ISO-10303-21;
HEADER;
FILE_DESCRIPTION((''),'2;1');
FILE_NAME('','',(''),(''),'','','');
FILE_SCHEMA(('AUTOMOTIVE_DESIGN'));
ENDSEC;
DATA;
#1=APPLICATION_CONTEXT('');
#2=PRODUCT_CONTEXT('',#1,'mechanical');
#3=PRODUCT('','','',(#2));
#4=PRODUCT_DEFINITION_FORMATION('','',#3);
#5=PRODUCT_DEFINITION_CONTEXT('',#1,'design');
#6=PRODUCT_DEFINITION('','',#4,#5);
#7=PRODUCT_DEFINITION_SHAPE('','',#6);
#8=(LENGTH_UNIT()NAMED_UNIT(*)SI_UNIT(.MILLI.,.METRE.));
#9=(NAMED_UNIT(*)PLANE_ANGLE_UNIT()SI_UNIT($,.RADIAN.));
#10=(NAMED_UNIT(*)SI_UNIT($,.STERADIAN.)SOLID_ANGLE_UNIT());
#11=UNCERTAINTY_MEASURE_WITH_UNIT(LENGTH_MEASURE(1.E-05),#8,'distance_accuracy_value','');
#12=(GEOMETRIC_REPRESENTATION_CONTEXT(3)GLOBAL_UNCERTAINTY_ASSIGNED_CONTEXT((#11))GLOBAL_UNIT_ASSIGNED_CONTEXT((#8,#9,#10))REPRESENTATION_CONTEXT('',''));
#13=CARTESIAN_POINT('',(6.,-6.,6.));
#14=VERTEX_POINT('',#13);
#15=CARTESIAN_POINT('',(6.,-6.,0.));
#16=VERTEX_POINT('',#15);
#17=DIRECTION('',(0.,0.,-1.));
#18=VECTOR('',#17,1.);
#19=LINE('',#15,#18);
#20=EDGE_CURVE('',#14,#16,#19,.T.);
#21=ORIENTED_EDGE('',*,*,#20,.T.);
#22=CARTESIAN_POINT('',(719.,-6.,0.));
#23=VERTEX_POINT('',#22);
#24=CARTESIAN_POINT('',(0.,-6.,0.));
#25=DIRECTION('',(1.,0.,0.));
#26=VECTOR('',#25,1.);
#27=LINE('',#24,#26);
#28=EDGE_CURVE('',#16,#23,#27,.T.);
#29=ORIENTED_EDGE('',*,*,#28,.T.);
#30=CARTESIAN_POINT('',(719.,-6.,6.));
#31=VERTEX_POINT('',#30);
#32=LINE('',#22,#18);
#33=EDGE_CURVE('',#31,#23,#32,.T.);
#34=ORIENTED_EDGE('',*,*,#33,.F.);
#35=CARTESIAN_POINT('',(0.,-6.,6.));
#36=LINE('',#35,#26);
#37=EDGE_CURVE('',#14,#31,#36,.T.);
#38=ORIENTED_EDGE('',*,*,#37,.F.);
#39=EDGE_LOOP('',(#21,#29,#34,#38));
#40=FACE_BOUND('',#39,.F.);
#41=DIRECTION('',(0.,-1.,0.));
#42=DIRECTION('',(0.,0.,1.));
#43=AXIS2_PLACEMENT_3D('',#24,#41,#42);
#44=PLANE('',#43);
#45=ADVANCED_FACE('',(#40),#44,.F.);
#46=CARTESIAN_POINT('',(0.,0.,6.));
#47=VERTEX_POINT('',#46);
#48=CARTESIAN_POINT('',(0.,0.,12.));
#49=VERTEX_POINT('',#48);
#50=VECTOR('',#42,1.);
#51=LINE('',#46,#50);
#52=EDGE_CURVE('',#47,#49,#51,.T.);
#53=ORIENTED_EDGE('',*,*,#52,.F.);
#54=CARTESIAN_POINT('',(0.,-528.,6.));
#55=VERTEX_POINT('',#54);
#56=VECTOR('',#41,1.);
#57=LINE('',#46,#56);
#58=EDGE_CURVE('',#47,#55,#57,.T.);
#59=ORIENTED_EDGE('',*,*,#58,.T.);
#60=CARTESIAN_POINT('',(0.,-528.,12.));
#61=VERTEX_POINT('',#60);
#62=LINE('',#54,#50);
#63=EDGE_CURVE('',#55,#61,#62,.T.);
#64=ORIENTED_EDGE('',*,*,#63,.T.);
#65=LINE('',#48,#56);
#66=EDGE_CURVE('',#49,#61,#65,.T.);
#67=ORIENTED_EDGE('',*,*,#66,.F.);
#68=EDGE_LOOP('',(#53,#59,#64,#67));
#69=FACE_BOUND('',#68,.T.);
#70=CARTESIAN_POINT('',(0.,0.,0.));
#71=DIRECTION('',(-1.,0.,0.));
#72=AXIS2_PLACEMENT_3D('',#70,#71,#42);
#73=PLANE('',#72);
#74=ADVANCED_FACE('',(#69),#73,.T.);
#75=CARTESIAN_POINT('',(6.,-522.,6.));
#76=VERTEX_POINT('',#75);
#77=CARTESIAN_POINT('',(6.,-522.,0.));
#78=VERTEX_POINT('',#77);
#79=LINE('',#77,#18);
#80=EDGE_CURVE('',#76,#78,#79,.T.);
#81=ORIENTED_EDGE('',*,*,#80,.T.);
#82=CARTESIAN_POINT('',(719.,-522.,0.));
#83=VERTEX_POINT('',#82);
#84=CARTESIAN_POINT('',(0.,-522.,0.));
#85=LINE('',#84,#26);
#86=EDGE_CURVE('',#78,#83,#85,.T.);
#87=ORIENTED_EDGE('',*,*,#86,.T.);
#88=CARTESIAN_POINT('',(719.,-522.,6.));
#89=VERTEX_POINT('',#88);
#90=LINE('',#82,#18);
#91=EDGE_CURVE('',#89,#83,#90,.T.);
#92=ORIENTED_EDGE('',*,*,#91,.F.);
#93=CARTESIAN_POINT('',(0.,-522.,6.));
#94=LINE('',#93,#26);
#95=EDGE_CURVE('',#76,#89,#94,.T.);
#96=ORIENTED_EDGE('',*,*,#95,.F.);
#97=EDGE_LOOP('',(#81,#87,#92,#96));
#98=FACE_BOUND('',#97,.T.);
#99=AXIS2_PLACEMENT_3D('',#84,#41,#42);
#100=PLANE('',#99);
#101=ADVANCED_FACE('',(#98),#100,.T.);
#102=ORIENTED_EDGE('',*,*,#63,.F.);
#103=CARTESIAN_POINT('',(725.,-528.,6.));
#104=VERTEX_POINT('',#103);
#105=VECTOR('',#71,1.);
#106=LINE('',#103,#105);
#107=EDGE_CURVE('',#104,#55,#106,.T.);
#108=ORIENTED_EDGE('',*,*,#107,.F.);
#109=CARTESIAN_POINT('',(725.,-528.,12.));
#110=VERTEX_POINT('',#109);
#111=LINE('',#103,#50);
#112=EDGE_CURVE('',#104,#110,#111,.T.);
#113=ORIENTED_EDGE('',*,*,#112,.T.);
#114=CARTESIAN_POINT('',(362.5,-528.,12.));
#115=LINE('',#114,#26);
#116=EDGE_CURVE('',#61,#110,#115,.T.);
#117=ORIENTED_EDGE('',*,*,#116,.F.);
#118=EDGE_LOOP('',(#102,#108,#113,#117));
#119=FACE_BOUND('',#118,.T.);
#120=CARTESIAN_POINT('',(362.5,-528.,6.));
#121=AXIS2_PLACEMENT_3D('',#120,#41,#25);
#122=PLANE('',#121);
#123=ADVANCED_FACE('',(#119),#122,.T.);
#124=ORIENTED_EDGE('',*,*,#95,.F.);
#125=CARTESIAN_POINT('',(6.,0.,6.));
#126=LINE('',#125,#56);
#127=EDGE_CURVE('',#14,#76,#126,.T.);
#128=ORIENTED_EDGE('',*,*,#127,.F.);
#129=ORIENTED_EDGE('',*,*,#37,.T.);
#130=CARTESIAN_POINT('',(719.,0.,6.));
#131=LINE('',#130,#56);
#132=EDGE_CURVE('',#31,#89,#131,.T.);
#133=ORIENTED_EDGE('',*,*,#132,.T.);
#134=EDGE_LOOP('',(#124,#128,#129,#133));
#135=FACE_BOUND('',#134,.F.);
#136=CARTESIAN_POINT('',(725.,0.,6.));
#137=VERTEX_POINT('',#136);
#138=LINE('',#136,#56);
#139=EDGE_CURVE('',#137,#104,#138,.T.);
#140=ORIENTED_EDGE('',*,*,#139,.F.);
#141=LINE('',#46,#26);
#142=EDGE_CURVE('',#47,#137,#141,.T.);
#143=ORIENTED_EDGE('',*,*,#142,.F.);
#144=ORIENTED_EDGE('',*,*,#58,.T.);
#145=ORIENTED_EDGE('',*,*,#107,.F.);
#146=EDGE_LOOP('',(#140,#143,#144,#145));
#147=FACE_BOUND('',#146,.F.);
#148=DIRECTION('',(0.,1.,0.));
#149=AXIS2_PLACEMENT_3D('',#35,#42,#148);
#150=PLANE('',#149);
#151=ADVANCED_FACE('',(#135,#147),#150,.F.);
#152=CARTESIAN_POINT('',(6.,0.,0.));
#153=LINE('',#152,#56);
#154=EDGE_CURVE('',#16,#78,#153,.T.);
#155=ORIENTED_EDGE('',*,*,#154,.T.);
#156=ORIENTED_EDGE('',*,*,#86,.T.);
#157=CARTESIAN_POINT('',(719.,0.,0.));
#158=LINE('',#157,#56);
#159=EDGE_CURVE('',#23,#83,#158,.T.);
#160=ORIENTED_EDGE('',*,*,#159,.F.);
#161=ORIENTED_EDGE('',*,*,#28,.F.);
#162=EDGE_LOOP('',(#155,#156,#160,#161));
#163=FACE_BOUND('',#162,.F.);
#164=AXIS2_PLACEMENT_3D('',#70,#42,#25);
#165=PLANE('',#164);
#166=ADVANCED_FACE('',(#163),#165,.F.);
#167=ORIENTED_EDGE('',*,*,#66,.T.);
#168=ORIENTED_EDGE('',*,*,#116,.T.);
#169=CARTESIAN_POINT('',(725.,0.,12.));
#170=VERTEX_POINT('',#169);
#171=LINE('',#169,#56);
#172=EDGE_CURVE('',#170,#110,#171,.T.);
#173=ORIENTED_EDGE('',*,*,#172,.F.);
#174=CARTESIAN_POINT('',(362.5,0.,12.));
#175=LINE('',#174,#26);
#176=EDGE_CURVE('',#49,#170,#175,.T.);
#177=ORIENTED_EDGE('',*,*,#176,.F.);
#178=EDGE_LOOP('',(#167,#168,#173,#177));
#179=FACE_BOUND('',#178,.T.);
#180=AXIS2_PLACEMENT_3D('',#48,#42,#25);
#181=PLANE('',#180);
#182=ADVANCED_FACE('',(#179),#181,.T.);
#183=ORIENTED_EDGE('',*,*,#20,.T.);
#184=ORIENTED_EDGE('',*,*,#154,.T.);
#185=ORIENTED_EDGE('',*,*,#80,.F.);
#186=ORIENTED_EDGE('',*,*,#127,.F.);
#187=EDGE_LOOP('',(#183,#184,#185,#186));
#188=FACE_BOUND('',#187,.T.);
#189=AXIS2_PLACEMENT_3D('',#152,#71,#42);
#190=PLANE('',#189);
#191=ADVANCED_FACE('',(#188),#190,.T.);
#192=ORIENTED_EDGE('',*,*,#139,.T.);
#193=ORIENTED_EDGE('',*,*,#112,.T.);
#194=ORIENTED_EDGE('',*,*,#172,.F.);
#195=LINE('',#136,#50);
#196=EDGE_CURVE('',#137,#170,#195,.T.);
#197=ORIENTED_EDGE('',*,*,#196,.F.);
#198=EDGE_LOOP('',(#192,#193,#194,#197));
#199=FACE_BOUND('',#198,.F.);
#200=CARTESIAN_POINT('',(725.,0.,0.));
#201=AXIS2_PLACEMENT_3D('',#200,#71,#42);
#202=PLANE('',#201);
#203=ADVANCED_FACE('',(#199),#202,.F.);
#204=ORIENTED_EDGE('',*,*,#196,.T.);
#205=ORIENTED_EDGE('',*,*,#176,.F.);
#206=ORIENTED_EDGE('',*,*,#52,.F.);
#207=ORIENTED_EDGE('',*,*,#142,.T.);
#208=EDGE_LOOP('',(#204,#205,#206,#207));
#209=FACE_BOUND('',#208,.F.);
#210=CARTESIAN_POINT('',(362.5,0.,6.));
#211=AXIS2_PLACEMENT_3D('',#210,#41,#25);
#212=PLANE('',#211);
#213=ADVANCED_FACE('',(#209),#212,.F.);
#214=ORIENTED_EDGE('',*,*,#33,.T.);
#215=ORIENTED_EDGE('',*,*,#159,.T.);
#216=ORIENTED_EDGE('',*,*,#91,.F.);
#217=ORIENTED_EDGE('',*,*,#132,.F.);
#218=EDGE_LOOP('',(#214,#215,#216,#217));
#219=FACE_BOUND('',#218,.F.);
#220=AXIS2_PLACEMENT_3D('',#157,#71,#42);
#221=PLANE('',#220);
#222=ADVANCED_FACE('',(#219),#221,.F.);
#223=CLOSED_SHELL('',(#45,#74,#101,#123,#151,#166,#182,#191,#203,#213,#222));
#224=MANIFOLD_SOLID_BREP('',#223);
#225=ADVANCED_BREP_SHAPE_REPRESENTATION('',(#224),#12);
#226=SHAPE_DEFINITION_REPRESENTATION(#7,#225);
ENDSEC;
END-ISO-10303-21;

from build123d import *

# Parameters (mm, degrees)
F0_W     = 725
F0_H     = 12
F1_DEPTH = 528
F2_W     = 6
F2_H     = 6
F3_DEPTH = 725.001
F4_W     = 6
F4_H     = 6
F5_DEPTH = 528.001


with BuildPart() as f1:
    # F0 (on Front) → F1 (new body)
    with BuildSketch(Plane.XZ):
        with Locations((362.5, 6)):
            Rectangle(F0_W, F0_H)
    extrude(amount=F1_DEPTH)

    # F2 (on Right) → F3 (cut, through all)
    with BuildSketch(Plane.YZ):
        with Locations((-525, 3)):
            Rectangle(F2_W, F2_H)
        with Locations((-3, 3)):
            Rectangle(F2_W, F2_H)
    extrude(amount=F3_DEPTH, mode=Mode.SUBTRACT)

    # F4 (on Front) → F5 (cut, through all)
    with BuildSketch(Plane.XZ):
        with Locations((3, 3)):
            Rectangle(F4_W, F4_H)
        with Locations((722, 3)):
            Rectangle(F4_W, F4_H)
    extrude(amount=F5_DEPTH, mode=Mode.SUBTRACT)


solid = f1.part
